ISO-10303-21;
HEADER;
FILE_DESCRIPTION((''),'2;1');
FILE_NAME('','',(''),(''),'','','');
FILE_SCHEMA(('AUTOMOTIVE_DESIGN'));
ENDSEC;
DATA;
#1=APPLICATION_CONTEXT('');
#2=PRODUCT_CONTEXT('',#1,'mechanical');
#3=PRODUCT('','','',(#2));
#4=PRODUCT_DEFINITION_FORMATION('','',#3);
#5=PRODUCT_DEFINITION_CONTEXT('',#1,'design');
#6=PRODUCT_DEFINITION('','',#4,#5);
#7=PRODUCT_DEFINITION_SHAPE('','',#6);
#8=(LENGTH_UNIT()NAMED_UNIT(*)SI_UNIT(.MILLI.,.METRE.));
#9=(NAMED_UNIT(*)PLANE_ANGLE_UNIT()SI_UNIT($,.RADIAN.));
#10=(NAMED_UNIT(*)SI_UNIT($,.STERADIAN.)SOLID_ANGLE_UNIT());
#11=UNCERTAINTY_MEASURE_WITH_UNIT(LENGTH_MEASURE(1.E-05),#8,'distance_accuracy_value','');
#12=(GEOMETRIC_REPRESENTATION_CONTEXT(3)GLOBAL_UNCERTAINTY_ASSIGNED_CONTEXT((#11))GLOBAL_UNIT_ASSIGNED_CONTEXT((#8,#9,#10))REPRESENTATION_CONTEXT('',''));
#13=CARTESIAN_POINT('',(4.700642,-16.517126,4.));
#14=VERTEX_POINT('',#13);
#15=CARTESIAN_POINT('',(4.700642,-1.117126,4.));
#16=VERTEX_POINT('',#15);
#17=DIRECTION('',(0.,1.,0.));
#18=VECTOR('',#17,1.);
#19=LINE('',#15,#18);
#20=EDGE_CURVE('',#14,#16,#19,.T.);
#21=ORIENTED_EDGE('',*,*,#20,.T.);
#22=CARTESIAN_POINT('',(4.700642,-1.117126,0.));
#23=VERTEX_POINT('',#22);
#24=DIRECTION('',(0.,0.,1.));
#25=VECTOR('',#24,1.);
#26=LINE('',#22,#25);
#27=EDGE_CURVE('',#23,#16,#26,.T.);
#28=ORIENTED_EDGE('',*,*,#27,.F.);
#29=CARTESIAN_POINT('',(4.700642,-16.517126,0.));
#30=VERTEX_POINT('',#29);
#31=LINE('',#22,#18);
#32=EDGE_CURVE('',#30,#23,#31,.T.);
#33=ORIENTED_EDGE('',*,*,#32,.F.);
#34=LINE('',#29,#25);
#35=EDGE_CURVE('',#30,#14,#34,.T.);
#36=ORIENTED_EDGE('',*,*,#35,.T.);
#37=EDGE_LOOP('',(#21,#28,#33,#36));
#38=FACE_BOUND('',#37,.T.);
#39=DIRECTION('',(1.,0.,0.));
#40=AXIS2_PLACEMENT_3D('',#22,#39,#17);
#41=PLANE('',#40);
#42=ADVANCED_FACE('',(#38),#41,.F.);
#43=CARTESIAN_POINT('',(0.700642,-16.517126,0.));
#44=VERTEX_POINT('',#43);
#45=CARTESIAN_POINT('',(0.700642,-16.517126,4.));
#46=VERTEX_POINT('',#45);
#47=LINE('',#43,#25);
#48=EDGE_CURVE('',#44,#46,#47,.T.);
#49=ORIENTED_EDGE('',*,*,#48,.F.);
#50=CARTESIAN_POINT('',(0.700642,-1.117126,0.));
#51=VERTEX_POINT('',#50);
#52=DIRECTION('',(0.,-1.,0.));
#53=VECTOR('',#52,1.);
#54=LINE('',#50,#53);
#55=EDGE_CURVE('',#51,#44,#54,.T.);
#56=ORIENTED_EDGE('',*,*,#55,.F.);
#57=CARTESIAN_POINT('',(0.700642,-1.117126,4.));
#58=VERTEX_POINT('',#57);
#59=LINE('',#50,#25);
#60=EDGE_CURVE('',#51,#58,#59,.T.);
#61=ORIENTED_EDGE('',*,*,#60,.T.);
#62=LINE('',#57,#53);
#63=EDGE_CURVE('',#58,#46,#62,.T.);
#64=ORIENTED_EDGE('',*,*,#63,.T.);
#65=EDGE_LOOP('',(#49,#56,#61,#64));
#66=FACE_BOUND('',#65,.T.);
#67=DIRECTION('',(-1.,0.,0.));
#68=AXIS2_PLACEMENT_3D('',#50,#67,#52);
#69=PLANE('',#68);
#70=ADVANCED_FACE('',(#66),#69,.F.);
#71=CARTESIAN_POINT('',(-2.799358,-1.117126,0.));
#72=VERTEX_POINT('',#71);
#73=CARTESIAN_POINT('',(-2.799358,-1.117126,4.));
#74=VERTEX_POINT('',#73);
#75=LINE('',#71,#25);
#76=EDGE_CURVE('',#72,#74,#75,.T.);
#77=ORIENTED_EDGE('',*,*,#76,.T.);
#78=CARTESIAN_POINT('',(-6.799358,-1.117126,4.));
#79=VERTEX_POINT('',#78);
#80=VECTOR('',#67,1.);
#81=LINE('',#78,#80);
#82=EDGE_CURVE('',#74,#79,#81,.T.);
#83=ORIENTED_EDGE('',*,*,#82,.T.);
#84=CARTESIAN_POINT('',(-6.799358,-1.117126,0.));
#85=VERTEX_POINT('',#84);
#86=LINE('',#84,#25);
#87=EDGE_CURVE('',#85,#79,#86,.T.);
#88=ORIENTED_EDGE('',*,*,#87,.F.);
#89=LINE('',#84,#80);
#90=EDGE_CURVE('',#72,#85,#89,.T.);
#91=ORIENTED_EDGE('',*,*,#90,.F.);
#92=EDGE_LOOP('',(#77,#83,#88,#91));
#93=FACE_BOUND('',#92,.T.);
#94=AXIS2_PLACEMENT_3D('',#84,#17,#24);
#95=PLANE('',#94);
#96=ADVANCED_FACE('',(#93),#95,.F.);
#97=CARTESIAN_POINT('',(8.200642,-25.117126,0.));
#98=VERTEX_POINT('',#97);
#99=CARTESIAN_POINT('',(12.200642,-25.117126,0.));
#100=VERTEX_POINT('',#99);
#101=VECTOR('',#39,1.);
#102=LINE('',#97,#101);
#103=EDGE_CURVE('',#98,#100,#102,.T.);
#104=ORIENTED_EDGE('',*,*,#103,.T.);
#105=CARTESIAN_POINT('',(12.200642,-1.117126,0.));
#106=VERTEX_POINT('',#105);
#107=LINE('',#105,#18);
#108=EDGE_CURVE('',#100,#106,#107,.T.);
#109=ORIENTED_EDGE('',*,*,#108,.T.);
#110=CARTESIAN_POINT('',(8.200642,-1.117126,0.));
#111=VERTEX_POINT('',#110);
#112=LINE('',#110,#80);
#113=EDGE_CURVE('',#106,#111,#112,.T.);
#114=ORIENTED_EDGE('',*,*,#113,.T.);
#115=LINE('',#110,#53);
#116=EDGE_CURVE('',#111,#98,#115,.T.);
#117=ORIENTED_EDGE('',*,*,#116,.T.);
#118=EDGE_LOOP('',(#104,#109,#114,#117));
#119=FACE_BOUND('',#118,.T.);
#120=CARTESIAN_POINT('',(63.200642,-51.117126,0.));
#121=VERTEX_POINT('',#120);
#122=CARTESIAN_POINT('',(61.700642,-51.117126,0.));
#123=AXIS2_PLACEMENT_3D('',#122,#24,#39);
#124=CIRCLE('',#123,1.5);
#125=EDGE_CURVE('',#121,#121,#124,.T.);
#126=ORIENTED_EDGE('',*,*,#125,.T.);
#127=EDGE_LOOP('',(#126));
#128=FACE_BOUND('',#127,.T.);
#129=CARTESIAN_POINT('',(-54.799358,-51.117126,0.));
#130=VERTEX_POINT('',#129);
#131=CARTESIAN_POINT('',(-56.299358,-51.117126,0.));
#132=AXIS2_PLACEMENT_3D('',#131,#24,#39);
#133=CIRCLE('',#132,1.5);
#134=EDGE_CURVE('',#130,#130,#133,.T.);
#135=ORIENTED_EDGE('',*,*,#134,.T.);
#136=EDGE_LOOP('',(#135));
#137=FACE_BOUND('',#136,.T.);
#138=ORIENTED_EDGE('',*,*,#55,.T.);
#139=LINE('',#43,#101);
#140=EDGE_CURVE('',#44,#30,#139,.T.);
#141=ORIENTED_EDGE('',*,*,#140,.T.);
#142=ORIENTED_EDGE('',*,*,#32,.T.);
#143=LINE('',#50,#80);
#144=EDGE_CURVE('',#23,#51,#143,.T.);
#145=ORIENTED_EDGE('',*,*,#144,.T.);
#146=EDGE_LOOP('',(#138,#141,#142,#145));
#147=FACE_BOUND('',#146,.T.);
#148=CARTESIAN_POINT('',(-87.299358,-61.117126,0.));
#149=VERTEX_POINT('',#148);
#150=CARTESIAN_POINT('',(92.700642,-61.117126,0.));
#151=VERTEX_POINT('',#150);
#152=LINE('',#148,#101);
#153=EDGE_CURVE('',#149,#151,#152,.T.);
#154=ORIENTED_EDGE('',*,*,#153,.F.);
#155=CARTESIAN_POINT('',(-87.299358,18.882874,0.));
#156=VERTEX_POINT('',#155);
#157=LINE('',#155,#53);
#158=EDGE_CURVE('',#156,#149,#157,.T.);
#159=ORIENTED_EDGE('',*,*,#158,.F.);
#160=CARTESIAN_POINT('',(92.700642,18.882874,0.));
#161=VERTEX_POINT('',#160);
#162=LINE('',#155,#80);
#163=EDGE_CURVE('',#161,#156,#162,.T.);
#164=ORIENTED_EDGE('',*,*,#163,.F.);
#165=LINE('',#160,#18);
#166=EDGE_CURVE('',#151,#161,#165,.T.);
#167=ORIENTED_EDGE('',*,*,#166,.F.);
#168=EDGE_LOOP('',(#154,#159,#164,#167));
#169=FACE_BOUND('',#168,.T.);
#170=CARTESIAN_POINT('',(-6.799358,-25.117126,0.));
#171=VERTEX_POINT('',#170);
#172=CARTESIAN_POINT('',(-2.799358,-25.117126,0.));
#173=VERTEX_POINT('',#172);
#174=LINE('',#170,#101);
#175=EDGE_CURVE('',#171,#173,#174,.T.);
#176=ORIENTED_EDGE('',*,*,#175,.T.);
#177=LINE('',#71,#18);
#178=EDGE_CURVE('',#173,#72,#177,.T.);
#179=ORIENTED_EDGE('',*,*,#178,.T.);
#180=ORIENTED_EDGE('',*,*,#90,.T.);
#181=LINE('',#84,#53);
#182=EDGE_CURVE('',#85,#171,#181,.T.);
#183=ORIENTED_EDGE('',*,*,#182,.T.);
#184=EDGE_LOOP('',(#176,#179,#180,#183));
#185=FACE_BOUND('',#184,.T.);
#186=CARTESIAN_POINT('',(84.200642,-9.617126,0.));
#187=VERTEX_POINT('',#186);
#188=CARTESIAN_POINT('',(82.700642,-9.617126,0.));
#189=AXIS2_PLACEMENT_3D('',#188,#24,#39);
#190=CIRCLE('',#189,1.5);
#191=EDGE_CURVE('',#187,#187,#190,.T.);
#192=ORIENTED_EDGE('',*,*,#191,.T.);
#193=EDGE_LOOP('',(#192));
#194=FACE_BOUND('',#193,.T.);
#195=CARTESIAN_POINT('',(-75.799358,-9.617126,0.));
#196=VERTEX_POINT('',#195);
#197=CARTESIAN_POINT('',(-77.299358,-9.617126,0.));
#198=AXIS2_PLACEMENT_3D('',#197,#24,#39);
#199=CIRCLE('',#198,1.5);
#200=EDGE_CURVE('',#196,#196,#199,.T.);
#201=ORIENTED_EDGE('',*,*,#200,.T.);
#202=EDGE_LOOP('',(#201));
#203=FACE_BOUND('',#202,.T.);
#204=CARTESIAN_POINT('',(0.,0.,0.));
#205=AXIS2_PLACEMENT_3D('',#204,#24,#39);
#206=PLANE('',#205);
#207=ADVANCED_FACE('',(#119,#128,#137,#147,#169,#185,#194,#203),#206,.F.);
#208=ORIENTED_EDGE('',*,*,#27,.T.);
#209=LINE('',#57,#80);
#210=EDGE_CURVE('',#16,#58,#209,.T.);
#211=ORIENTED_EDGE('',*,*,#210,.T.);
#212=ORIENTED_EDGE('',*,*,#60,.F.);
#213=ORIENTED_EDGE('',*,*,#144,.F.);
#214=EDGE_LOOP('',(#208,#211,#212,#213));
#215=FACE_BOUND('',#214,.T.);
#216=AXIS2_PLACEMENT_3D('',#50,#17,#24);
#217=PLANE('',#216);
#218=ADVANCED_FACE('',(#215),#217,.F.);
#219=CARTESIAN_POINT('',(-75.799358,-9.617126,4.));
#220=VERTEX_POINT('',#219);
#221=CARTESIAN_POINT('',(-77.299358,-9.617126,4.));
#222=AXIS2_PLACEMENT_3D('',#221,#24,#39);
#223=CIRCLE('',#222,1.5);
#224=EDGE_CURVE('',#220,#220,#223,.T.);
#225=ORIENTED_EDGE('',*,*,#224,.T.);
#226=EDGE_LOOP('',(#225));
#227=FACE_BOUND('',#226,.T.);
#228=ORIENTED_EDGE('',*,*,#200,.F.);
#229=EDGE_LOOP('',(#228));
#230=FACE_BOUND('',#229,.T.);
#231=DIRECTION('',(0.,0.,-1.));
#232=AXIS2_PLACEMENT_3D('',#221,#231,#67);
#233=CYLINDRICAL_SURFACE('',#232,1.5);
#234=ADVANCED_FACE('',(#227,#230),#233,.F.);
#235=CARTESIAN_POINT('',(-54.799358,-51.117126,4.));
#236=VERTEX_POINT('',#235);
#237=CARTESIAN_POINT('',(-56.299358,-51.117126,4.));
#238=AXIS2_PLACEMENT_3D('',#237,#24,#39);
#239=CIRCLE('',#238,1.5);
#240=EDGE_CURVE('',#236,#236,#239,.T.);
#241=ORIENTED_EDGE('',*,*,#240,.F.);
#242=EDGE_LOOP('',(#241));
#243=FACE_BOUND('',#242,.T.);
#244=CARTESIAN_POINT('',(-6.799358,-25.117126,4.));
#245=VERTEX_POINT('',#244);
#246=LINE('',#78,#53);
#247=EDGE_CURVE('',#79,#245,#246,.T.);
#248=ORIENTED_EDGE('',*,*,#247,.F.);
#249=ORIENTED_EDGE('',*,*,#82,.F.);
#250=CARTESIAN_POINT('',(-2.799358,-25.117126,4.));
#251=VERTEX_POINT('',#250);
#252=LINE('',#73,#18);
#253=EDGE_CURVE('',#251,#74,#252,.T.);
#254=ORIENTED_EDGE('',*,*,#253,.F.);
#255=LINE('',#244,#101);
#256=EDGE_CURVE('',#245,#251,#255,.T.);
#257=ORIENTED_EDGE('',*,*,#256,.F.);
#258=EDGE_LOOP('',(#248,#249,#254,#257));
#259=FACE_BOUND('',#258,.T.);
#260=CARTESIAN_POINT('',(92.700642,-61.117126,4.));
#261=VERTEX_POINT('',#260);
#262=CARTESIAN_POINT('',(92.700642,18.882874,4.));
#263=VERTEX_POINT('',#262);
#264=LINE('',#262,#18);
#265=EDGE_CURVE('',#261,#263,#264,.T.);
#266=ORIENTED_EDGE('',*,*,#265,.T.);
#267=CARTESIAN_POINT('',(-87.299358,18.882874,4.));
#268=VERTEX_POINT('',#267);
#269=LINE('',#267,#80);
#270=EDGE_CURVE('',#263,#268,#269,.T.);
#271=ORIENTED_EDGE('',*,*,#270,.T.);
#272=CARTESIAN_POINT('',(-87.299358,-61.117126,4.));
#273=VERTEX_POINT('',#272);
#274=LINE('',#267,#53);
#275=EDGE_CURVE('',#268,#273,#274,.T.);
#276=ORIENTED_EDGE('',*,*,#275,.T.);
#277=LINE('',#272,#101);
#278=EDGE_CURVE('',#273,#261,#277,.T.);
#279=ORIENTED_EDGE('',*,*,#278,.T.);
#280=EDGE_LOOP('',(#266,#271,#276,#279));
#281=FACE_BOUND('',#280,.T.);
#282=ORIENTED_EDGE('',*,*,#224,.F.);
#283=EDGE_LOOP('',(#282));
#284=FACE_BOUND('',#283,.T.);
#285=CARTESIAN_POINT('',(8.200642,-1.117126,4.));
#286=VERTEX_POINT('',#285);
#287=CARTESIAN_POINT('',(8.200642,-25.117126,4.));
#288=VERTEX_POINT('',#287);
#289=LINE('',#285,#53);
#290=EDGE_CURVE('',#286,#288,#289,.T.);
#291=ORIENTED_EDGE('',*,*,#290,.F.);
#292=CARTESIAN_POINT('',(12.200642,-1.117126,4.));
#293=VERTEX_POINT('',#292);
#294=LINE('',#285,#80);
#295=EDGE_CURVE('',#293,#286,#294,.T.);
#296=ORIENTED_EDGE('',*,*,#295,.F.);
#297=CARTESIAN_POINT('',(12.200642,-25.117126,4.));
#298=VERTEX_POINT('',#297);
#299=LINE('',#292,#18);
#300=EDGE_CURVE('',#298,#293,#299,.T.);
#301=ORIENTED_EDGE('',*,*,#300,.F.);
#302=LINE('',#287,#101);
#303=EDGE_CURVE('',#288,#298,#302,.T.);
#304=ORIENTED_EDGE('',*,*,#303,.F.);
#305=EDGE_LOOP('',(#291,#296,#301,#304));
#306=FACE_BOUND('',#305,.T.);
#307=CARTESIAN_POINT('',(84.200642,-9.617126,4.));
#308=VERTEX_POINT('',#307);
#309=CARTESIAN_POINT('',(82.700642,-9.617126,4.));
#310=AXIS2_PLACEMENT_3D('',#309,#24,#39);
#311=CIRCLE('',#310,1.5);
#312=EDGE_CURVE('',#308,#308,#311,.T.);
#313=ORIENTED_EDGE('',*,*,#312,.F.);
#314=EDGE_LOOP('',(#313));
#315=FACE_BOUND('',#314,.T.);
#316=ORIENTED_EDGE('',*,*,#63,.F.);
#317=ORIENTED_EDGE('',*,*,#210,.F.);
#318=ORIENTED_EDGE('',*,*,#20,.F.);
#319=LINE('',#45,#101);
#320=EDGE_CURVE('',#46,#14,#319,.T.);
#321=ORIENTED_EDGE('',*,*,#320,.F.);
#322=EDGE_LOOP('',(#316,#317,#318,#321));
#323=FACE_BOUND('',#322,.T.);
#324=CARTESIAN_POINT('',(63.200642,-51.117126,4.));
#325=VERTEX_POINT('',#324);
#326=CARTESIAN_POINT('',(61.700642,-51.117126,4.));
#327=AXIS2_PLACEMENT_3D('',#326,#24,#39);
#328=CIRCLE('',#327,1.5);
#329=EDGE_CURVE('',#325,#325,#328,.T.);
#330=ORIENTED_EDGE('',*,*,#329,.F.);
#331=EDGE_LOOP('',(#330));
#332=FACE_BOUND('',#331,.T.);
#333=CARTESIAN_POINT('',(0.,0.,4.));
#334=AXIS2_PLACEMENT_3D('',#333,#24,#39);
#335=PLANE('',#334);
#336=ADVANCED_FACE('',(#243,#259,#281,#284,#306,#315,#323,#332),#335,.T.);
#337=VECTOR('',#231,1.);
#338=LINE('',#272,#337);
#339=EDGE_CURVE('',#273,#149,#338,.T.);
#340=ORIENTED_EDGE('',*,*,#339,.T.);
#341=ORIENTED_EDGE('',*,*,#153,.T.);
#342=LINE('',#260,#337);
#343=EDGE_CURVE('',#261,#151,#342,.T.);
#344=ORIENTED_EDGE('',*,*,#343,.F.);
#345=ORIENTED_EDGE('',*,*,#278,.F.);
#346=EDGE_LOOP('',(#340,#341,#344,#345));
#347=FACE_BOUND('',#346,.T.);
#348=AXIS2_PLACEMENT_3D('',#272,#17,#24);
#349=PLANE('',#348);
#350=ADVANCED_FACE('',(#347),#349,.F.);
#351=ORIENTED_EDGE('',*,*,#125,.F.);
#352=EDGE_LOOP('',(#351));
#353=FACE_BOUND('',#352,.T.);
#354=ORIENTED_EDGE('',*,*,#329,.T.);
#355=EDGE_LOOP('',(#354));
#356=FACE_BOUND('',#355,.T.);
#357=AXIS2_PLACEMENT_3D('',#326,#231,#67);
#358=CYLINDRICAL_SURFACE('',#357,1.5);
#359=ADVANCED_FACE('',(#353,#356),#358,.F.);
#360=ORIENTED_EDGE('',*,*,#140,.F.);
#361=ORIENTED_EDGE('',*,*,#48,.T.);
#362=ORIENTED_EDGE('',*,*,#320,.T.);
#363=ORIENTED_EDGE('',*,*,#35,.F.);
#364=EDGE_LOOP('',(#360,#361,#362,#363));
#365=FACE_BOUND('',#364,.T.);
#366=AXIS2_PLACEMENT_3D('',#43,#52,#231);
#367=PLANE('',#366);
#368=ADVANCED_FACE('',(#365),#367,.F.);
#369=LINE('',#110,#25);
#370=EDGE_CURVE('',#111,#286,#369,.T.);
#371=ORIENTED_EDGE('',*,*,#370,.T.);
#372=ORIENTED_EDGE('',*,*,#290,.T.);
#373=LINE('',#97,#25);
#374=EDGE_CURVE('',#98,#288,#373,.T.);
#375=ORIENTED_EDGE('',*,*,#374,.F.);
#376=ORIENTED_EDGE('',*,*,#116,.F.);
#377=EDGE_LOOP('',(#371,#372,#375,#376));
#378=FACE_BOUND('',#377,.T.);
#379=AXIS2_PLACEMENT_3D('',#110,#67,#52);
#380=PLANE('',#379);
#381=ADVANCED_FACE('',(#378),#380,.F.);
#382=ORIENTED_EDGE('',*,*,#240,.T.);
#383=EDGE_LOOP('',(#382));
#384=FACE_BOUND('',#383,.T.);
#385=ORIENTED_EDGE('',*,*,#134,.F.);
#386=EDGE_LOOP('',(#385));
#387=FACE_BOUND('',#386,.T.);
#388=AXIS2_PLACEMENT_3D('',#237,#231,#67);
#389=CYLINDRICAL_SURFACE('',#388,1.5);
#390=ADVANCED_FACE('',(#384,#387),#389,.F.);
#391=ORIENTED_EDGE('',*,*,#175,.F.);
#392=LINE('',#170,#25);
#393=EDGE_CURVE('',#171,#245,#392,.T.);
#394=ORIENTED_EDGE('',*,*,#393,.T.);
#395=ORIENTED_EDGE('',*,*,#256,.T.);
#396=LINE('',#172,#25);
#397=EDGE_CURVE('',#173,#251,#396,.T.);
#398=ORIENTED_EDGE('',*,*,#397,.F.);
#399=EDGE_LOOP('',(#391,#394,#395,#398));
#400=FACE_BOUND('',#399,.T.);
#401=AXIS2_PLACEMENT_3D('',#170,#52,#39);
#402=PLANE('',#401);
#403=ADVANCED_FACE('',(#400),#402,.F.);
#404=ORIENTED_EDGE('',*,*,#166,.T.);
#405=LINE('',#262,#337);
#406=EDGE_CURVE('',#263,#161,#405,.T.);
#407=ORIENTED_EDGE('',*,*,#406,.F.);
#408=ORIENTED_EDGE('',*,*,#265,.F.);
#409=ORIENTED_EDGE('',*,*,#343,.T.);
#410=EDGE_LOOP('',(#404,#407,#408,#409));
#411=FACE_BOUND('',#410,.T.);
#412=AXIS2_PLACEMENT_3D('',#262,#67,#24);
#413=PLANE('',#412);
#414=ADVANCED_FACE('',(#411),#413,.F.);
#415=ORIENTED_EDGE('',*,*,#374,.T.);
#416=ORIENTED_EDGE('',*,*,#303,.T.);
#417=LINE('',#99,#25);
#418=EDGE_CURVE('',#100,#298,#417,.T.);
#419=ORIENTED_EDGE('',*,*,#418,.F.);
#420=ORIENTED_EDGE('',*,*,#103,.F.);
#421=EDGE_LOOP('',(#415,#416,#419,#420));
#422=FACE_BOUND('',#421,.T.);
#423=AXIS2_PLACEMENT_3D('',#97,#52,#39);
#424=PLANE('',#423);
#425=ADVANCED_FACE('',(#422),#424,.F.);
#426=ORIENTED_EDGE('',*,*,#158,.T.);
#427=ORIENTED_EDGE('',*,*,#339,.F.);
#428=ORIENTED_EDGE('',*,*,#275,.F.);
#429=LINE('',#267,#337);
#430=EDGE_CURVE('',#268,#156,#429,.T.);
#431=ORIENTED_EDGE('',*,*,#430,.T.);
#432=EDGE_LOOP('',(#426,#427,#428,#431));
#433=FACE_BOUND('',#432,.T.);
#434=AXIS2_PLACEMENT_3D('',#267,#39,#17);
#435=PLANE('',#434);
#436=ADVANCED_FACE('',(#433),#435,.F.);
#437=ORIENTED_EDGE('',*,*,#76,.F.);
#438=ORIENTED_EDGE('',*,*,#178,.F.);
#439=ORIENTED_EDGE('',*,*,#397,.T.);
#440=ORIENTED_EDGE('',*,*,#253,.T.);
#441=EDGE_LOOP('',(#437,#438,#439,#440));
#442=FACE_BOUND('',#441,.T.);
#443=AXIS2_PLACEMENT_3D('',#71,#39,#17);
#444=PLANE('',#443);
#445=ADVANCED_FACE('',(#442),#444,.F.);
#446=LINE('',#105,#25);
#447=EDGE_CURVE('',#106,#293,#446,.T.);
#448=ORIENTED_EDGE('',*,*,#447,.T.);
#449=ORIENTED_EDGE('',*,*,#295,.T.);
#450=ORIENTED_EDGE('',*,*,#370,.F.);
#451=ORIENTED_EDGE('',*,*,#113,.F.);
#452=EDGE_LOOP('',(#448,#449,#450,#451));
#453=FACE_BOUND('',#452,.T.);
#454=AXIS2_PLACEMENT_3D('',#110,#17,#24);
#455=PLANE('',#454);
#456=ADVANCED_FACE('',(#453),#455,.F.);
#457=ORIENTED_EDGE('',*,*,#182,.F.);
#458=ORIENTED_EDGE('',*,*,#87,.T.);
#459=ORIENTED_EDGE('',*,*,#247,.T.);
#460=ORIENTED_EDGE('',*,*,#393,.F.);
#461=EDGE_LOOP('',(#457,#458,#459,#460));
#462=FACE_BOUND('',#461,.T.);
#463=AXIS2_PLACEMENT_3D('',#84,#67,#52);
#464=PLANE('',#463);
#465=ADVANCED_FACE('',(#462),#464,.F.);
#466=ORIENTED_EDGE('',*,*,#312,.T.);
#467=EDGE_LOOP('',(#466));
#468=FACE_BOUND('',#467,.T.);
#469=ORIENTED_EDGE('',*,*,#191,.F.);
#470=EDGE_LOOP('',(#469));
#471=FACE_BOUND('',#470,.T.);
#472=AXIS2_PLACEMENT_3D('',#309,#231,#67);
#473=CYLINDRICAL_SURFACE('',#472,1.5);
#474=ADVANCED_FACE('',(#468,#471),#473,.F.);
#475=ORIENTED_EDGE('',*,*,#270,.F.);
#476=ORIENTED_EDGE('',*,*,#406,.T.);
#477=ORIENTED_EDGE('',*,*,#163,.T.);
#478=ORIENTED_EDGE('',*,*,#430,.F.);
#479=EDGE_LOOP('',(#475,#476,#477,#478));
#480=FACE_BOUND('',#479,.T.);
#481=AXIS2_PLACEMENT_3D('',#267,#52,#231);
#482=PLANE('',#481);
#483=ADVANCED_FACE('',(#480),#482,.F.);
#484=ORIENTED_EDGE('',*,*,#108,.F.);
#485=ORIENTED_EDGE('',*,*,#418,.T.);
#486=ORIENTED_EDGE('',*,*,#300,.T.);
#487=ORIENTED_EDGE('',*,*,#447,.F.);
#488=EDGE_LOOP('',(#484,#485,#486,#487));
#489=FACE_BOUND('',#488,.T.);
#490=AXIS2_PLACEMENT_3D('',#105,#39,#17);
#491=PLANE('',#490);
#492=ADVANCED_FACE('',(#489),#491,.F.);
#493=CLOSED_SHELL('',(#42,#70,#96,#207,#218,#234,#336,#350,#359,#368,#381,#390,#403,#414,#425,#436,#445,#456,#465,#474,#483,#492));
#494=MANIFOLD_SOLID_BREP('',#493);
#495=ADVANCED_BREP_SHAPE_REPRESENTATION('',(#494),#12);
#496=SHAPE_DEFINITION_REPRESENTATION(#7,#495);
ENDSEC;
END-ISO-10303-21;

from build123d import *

# Parameters (mm, degrees)
SKETCH1_W           = 180
SKETCH1_H           = 80
SKETCH1_R           = 1.5
BOSS_EXTRUDE1_DEPTH = 4
SKETCH2_W           = 4
SKETCH2_H           = 24
SKETCH2_H_2         = 15.4
CUT_EXTRUDE1_DEPTH  = 4


with BuildPart() as part:
    # Sketch1 → Boss-Extrude1 (new body)
    with BuildSketch(Plane.XY):
        with Locations((2.700642055, -21.117125984)):
            Rectangle(SKETCH1_W, SKETCH1_H)
        with Locations((-77.299357945, -9.617125984)):
            Circle(SKETCH1_R, mode=Mode.SUBTRACT)
        with Locations((82.700642055, -9.617125984)):
            Circle(SKETCH1_R, mode=Mode.SUBTRACT)
        with Locations((61.700642055, -51.117125984)):
            Circle(SKETCH1_R, mode=Mode.SUBTRACT)
        with Locations((-56.299357945, -51.117125984)):
            Circle(SKETCH1_R, mode=Mode.SUBTRACT)
    extrude(amount=BOSS_EXTRUDE1_DEPTH)

    # Sketch2 → Cut-Extrude1 (cut)
    with BuildSketch(Plane.XY.offset(4)):
        with Locations((-4.799357945, -13.117125984)):
            Rectangle(SKETCH2_W, SKETCH2_H)
        with Locations((2.700642055, -8.817125984)):
            Rectangle(SKETCH2_W, SKETCH2_H_2)
        with Locations((10.200642055, -13.117125984)):
            Rectangle(SKETCH2_W, SKETCH2_H)
    extrude(amount=-CUT_EXTRUDE1_DEPTH, mode=Mode.SUBTRACT)


solid = part.part
